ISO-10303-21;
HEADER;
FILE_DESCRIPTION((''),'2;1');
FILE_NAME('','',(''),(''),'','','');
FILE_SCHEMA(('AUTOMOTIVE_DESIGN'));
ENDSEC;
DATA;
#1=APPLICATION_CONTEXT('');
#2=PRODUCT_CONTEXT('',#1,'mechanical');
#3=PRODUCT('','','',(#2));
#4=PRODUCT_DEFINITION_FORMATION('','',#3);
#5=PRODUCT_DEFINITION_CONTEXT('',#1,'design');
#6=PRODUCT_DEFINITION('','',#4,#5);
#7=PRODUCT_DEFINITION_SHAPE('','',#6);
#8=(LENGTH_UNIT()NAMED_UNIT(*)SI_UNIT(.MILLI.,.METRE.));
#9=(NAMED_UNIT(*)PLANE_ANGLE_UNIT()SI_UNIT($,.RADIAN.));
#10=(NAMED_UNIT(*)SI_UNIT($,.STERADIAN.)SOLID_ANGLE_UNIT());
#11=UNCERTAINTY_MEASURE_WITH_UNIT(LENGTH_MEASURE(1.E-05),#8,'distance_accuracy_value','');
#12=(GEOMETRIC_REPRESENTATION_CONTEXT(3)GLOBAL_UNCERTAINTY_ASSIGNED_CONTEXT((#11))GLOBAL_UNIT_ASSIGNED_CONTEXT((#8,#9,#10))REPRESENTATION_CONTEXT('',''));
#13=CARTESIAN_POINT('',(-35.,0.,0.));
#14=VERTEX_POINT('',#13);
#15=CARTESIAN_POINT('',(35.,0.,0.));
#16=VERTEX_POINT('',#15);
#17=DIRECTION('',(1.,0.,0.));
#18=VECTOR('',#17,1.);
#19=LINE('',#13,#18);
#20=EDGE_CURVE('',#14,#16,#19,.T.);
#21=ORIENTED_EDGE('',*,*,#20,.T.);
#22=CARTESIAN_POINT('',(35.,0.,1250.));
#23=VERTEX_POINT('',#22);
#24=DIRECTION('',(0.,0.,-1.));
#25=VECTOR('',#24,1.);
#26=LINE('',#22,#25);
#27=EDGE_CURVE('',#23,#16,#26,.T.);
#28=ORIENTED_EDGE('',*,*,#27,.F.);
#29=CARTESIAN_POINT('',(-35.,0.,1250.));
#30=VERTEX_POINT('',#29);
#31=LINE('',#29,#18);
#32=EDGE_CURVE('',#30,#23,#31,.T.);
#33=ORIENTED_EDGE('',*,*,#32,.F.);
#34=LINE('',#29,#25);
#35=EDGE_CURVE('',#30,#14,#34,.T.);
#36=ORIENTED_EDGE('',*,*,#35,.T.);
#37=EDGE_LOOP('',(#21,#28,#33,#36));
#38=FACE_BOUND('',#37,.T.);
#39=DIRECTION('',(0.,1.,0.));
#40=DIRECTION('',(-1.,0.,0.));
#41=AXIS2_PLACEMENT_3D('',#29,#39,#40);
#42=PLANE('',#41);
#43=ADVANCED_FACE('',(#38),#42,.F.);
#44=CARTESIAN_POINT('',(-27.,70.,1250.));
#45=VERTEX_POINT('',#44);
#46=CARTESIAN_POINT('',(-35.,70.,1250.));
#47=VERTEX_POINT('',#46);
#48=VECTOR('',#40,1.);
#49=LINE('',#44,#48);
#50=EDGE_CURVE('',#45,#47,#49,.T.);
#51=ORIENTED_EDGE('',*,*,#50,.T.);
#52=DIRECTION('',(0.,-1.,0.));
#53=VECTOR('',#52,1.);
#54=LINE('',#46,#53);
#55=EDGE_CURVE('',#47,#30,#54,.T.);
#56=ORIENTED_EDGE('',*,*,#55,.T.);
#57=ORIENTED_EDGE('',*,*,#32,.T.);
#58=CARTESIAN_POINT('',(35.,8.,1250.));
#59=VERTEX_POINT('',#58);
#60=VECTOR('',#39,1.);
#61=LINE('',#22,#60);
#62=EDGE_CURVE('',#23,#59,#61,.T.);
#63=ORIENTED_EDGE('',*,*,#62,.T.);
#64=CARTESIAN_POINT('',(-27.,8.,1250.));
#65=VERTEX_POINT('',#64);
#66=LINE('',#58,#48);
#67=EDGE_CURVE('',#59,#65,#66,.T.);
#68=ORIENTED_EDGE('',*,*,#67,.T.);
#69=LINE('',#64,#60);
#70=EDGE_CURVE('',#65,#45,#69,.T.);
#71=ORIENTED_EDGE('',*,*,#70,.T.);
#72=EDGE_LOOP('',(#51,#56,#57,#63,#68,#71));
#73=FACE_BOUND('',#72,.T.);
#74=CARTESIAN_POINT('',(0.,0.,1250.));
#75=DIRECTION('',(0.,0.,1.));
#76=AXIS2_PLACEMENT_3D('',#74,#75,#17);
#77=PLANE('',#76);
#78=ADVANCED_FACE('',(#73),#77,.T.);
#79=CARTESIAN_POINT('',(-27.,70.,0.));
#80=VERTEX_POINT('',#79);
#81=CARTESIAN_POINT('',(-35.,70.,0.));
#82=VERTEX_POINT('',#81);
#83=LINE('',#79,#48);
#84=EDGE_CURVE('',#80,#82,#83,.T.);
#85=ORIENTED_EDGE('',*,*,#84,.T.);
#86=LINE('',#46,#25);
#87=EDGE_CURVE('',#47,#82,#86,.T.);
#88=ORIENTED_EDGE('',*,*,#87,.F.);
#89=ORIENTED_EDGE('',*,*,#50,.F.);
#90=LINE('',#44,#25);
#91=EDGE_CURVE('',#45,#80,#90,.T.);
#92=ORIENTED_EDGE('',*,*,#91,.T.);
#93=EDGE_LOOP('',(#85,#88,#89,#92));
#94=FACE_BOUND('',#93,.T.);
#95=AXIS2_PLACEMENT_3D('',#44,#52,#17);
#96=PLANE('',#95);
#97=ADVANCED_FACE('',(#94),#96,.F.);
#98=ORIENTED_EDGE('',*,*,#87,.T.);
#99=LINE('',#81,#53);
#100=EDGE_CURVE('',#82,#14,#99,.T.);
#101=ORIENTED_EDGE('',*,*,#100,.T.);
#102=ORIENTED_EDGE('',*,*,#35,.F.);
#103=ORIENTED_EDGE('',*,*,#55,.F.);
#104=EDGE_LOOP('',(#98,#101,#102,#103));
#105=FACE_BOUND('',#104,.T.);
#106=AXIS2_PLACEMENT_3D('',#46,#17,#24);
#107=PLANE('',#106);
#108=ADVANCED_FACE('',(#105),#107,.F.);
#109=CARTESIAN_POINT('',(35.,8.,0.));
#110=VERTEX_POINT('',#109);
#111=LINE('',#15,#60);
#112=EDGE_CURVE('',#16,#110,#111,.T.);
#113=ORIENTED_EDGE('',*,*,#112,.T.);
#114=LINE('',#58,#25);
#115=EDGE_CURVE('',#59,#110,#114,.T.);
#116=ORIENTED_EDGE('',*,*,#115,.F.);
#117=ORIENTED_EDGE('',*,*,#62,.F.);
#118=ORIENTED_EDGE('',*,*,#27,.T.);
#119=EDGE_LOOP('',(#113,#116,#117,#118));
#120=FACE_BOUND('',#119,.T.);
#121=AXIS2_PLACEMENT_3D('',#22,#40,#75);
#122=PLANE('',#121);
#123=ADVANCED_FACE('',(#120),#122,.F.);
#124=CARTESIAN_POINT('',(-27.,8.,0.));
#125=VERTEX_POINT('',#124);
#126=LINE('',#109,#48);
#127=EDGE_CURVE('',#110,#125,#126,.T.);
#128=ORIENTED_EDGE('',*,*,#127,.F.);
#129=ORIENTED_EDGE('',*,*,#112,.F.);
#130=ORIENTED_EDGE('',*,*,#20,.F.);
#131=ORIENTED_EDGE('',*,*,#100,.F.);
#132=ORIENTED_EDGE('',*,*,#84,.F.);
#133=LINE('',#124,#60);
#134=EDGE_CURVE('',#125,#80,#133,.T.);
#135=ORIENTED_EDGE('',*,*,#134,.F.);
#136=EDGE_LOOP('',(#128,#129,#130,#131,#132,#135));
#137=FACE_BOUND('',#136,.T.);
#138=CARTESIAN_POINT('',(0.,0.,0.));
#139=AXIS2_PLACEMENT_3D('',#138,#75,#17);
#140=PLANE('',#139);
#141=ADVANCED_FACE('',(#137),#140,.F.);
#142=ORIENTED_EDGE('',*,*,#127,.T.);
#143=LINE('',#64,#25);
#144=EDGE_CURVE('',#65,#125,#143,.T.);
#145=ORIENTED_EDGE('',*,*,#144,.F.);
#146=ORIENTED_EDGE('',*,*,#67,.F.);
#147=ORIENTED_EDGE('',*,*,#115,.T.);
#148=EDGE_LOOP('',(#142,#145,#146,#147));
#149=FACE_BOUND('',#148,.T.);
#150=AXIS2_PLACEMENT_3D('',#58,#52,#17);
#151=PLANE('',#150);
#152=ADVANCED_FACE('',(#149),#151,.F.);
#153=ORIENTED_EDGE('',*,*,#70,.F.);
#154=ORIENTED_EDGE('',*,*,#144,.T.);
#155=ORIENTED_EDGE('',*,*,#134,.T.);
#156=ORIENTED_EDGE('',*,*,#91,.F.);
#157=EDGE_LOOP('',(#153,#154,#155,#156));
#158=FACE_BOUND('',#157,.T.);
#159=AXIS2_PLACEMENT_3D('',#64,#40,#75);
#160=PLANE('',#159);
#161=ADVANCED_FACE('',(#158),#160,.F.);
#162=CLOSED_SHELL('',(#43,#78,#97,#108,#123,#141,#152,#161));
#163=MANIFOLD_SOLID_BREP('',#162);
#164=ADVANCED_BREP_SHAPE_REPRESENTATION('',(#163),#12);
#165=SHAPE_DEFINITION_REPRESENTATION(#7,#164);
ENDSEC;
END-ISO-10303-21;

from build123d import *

# Parameters (mm, degrees)
EXTRUDE_1_DEPTH = 1250


with BuildPart() as part:
    # Эскиз1 → Бобышка-Вытянуть1 (new body)
    with BuildSketch(Plane.XY):
        Polygon((-35, 70), (-35, 0), (35, 0), (35, 8), (-27, 8), (-27, 70), align=None)
    extrude(amount=EXTRUDE_1_DEPTH)


solid = part.part
